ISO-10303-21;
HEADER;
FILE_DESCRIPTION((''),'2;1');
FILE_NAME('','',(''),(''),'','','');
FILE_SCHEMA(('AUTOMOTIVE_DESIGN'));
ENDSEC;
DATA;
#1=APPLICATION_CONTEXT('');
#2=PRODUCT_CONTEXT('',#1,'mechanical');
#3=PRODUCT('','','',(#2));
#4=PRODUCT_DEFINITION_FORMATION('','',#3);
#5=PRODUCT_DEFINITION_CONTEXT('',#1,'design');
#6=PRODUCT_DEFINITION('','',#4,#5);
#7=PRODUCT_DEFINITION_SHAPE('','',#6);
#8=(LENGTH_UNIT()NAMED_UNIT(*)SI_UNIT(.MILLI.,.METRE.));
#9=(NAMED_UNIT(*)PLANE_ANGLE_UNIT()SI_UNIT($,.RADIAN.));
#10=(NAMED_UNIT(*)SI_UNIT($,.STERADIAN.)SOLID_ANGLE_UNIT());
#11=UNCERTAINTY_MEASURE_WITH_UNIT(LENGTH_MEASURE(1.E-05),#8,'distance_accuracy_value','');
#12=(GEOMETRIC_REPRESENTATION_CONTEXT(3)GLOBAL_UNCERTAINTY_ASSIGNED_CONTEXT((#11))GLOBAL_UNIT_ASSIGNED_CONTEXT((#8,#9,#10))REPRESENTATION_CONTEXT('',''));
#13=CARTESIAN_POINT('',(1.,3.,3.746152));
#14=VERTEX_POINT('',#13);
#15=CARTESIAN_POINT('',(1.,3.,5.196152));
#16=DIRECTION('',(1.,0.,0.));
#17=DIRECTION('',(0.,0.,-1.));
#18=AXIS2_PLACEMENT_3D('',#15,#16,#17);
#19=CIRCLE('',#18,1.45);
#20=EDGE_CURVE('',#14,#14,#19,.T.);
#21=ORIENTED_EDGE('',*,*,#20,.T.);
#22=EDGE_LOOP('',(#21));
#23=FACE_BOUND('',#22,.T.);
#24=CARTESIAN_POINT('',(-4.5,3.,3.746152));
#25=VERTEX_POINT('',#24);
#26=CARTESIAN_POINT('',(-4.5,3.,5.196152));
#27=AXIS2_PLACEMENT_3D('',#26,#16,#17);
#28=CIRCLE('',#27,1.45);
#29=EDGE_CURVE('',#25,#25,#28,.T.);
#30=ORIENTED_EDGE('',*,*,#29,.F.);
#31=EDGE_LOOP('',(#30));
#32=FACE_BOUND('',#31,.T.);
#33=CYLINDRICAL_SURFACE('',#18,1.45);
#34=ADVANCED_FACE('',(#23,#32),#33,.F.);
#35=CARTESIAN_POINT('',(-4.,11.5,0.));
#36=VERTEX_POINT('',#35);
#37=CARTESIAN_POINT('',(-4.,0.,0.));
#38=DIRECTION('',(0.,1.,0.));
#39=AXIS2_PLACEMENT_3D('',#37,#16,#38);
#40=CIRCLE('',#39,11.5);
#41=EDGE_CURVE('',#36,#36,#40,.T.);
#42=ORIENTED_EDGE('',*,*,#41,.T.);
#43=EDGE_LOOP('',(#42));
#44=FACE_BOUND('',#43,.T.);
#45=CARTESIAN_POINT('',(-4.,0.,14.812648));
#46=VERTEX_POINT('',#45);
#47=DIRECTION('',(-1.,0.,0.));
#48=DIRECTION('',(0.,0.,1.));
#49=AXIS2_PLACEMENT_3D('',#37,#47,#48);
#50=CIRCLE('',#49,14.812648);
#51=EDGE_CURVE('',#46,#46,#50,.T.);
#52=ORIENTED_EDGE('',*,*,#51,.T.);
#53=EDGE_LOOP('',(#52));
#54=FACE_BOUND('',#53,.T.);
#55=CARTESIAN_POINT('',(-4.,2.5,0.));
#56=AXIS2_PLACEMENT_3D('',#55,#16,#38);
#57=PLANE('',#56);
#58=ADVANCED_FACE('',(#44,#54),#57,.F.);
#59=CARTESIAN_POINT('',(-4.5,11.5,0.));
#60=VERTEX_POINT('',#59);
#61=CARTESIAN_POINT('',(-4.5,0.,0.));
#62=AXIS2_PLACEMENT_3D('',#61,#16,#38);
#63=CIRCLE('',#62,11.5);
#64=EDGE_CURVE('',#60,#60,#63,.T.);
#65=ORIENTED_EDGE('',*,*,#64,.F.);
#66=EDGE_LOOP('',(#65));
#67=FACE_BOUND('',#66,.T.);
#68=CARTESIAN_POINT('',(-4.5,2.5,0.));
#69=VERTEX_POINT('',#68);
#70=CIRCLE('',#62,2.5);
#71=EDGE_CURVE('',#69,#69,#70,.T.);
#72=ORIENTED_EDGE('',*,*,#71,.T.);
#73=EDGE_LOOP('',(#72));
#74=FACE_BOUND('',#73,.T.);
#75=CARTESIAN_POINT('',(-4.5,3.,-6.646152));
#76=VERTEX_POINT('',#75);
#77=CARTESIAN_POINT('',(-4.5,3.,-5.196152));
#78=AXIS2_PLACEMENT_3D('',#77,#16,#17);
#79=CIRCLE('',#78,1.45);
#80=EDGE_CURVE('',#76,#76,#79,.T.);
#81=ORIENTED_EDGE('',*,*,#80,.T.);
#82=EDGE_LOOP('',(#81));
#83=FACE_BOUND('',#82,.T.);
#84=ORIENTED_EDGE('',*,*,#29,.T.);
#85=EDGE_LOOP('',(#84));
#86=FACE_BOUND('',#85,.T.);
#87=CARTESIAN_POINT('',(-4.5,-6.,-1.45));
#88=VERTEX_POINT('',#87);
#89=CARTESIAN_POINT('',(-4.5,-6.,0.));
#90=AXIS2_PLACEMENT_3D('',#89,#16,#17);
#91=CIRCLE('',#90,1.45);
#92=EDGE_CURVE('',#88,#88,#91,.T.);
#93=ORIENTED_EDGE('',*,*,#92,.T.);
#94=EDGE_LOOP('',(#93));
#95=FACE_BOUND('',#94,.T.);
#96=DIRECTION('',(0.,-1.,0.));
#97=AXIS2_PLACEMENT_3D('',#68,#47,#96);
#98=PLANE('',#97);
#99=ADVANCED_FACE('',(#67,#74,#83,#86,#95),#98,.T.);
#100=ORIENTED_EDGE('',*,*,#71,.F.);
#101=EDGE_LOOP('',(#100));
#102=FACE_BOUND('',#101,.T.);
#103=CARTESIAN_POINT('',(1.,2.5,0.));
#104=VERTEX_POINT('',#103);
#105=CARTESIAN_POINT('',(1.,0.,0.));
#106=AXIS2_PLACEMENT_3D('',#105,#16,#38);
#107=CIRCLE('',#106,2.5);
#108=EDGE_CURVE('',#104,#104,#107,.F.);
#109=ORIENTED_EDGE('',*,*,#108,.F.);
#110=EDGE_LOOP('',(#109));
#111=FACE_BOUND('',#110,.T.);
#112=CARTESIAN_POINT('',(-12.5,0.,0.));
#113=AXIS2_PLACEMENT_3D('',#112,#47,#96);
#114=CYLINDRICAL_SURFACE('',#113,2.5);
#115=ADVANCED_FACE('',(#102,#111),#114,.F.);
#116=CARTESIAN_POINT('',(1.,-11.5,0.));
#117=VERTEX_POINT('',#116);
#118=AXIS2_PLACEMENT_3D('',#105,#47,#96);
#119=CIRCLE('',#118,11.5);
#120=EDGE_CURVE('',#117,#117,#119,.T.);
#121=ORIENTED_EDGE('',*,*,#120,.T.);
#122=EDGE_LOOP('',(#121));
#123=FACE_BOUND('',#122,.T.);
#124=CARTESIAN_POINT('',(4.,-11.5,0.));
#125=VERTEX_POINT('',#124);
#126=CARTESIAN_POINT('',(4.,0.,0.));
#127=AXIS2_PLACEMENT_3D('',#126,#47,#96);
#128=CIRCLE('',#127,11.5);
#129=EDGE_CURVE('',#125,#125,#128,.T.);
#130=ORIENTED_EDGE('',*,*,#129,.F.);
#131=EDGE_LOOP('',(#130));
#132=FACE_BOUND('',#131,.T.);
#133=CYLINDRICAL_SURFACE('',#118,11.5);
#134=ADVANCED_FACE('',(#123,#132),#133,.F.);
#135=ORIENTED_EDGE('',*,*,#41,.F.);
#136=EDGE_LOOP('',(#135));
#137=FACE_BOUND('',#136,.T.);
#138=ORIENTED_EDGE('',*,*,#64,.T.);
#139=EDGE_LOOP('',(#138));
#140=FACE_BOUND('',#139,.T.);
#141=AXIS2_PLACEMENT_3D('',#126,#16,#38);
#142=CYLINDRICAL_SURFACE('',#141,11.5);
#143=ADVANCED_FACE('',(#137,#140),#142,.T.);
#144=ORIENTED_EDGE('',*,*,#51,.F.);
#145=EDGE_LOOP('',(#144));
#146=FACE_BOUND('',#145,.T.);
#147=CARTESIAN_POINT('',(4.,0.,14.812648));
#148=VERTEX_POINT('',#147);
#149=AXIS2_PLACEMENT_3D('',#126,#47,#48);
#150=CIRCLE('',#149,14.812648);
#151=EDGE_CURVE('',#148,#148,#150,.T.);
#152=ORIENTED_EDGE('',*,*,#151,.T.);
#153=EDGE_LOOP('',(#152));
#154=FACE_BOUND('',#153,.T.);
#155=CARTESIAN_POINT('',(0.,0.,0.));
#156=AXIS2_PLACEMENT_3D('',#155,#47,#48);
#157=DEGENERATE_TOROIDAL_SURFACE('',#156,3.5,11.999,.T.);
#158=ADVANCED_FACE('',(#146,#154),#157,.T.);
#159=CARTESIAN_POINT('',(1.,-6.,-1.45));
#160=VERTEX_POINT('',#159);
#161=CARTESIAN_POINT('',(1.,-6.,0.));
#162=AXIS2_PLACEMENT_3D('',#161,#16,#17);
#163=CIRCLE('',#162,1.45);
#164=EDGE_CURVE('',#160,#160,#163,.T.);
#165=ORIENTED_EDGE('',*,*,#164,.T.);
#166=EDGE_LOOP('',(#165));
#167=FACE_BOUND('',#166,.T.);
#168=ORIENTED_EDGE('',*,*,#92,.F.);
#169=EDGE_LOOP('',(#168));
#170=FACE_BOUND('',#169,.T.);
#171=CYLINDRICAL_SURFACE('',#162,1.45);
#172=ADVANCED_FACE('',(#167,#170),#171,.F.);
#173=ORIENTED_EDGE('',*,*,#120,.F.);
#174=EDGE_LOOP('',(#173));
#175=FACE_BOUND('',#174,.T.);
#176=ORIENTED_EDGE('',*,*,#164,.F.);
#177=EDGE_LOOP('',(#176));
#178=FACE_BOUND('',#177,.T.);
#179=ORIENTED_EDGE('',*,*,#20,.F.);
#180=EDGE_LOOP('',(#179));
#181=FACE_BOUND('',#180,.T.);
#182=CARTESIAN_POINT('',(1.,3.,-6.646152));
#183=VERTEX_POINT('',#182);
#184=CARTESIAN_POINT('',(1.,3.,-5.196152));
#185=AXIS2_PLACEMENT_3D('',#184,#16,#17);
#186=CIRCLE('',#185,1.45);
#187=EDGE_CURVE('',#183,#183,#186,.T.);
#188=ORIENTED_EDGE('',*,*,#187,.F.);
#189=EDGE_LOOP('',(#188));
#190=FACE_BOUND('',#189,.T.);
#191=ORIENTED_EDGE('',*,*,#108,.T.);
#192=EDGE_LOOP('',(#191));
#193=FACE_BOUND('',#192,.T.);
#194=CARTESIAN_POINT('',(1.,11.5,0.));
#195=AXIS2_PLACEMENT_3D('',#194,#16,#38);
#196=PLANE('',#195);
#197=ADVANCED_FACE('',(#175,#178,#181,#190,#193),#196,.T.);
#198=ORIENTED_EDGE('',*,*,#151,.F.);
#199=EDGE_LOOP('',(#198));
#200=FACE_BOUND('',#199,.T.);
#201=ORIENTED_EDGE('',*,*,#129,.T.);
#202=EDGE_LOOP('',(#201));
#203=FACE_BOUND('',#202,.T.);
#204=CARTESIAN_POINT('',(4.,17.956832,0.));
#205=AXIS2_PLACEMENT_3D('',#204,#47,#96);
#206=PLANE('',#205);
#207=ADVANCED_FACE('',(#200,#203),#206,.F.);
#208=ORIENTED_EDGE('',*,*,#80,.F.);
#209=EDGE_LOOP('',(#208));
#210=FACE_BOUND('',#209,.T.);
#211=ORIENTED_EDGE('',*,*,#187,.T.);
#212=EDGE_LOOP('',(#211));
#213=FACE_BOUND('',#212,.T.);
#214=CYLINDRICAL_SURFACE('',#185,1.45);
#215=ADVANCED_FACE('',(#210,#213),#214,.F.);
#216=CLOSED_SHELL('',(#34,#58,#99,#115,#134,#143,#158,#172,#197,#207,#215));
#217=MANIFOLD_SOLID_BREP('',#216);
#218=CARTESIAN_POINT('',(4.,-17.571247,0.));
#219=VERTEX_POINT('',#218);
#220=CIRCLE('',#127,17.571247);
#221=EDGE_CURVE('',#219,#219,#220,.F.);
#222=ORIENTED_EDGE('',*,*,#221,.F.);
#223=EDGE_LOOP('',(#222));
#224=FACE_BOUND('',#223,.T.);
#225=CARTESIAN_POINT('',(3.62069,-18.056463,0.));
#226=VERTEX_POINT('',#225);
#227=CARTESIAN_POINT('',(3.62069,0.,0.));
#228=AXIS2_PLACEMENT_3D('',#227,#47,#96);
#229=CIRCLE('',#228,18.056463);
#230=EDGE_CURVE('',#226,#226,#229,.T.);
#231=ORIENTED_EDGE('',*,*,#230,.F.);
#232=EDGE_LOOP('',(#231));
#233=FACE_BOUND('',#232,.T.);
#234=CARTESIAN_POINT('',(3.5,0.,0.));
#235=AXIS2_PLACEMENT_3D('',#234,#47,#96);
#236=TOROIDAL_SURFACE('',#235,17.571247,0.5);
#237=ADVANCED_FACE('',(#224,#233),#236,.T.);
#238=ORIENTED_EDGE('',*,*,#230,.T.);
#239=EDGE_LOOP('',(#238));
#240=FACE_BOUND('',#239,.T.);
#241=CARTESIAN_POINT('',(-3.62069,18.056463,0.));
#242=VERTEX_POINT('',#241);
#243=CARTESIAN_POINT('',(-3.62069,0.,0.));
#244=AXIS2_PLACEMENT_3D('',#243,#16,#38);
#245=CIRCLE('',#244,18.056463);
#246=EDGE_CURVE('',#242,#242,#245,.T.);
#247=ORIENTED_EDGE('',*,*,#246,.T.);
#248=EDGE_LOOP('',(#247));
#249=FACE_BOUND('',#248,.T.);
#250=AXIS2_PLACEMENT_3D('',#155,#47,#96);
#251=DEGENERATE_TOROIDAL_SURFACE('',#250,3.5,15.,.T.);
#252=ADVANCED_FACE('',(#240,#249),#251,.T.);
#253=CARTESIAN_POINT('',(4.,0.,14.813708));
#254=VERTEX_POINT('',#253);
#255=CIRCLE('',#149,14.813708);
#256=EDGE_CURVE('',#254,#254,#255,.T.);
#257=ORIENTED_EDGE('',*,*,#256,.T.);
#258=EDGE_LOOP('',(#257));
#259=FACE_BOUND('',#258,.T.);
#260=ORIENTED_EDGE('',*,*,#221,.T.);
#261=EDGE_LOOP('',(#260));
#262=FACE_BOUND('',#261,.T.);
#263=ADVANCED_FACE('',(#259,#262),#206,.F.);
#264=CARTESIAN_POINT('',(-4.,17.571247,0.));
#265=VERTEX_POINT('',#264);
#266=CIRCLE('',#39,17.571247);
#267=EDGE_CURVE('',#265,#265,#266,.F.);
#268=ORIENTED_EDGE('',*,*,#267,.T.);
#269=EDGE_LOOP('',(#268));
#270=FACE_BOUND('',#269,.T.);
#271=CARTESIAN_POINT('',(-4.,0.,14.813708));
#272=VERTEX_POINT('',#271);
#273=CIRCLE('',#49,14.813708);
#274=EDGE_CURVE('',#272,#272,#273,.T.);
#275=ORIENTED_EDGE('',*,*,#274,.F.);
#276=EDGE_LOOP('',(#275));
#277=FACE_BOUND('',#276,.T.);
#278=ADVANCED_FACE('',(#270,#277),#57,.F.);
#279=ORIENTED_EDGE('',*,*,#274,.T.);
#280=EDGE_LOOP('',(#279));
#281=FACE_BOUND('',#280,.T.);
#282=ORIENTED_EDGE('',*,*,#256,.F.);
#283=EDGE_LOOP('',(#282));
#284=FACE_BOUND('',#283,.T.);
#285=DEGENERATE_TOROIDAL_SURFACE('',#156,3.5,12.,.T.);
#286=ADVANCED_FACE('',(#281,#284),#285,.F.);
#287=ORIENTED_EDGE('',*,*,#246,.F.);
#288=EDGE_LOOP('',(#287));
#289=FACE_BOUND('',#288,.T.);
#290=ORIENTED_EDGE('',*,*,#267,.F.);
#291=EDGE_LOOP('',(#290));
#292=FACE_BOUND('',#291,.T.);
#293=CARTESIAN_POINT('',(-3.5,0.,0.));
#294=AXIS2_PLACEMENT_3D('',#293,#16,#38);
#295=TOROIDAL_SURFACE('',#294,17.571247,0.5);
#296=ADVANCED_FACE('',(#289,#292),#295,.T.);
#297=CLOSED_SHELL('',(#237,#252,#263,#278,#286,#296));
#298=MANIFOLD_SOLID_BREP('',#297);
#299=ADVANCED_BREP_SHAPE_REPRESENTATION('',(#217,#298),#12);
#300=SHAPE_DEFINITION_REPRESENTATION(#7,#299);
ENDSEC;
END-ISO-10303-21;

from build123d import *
from build123d.topology import SkipClean

# Parameters (mm, degrees)
CONG_1_R                     = 0.5
ESQUISSE4_W                  = 0.5
ESQUISSE4_H                  = 9
ESQUISSE6_W                  = 3
ESQUISSE6_H                  = 11.5
ESQUISSE8_W                  = 1.45
ESQUISSE8_H                  = 5.5
R_P_TITION_CIRCULAIRE1_COUNT = 3


with BuildPart() as part:
    # Esquisse2 → Révolution1 (revolve)
    with BuildSketch(Plane.XY, mode=Mode.PRIVATE) as r_volution1_sk:
        with BuildLine():
            Line((4, 2.5), (-4, 2.5))
            Line((-4, 2.5), (-4, 17.956832295))
            ThreePointArc((-4, 17.956832295), (0, 18.5), (4, 17.956832295))
            Line((4, 17.956832295), (4, 2.5))
        make_face()
    revolve(r_volution1_sk.sketch.rotate(Axis((-12.5, 0, 0), (1, 0, 0)), 180), axis=Axis((-12.5, 0, 0), (1, 0, 0)))

    # Esquisse3 → Enlèvement de matière-Révolution1 (revolve, cut)
    with BuildSketch(Plane.XY, mode=Mode.PRIVATE) as enl_vement_de_mati_re_r_volution1_sk:
        with BuildLine():
            Line((-4, 14.813708499), (-4, 14.812647833))
            ThreePointArc((-4, 14.812647833), (0, 15.499), (4, 14.812647833))
            Line((4, 14.812647833), (4, 14.813708499))
            ThreePointArc((4, 14.813708499), (0, 15.5), (-4, 14.813708499))
        make_face()
    revolve(enl_vement_de_mati_re_r_volution1_sk.sketch.rotate(Axis((-4, 0, 0), (1, 0, 0)), 90), axis=Axis((-4, 0, 0), (1, 0, 0)), mode=Mode.SUBTRACT)


with BuildPart() as enl_vement_de_mati_re_r_volution1_piece:
    # of the separate pieces the step leaves, piece 1, a body of its own (enl_vement_de_mati_re_r_volution1_pieces)
    add(part.part.solids().sort_by_distance((4, 0, 14.812647833))[0])

    # Esquisse4 → Révolution2 (revolve)
    with SkipClean():  # the faces are left unmerged after this step: merging them gives an invalid solid
        with BuildSketch(Plane.XY, mode=Mode.PRIVATE) as r_volution2_sk:
            with Locations((-4.25, 7)):
                Rectangle(ESQUISSE4_W, ESQUISSE4_H)
        revolve(r_volution2_sk.sketch.rotate(Axis((4, 0, 0), (-1, 0, 0)), 270), axis=Axis((4, 0, 0), (-1, 0, 0)))

    # Esquisse6 → Enlèvement de matière-Révolution2 (revolve, cut)
    with SkipClean():  # the faces are left unmerged after this step: merging them gives an invalid solid
        with BuildSketch(Plane.XY, mode=Mode.PRIVATE) as enl_vement_de_mati_re_r_volution2_sk:
            with Locations((2.5, 5.75)):
                Rectangle(ESQUISSE6_W, ESQUISSE6_H)
        revolve(enl_vement_de_mati_re_r_volution2_sk.sketch.rotate(Axis((1, 0, 0), (1, 0, 0)), 90), axis=Axis((1, 0, 0), (1, 0, 0)), mode=Mode.SUBTRACT)

    # Esquisse8 → Diamètre du perçage Ø3.5 (3.5)1 (revolve, cut)
    with SkipClean():  # the faces are left unmerged after this step: merging them gives an invalid solid
        with BuildSketch(Plane(origin=(1, -6, 0), x_dir=(0, 0, -1), z_dir=(0, 1, 0))):
            with Locations((0.725, 2.75)):
                Rectangle(ESQUISSE8_W, ESQUISSE8_H)
        diam_tre_du_per_age_3_5_3_5_1 = revolve(axis=Axis((7.35, -6, 0), (-1, 0, 0)), mode=Mode.SUBTRACT)

    # Répétition circulaire1: Diamètre du perçage Ø3.5 (3.5)1 ×3 about axis
    with SkipClean():  # the faces are left unmerged after this step: merging them gives an invalid solid
        r_p_tition_circulaire1_axis = Axis((0, 0, 0), (1, 0, 0))
        for i in range(1, R_P_TITION_CIRCULAIRE1_COUNT):
            add(diam_tre_du_per_age_3_5_3_5_1.rotate(r_p_tition_circulaire1_axis, i * 360 / R_P_TITION_CIRCULAIRE1_COUNT), mode=Mode.SUBTRACT)


with BuildPart() as enl_vement_de_mati_re_r_volution1_pi_2:
    # of the separate pieces the step leaves, piece 2, a body of its own (enl_vement_de_mati_re_r_volution1_pieces)
    add(part.part.solids().sort_by_distance((4, -17.956832295, 0))[0])

    # Congé1
    cong_1_edges = [enl_vement_de_mati_re_r_volution1_pi_2.edges().sort_by_distance(p)[0] for p in [
        (-4, 17.956832295, 0),
        (4, 17.956832295, 0),
    ]]
    fillet(cong_1_edges, radius=CONG_1_R)


solid = Compound([enl_vement_de_mati_re_r_volution1_piece.part, enl_vement_de_mati_re_r_volution1_pi_2.part])
